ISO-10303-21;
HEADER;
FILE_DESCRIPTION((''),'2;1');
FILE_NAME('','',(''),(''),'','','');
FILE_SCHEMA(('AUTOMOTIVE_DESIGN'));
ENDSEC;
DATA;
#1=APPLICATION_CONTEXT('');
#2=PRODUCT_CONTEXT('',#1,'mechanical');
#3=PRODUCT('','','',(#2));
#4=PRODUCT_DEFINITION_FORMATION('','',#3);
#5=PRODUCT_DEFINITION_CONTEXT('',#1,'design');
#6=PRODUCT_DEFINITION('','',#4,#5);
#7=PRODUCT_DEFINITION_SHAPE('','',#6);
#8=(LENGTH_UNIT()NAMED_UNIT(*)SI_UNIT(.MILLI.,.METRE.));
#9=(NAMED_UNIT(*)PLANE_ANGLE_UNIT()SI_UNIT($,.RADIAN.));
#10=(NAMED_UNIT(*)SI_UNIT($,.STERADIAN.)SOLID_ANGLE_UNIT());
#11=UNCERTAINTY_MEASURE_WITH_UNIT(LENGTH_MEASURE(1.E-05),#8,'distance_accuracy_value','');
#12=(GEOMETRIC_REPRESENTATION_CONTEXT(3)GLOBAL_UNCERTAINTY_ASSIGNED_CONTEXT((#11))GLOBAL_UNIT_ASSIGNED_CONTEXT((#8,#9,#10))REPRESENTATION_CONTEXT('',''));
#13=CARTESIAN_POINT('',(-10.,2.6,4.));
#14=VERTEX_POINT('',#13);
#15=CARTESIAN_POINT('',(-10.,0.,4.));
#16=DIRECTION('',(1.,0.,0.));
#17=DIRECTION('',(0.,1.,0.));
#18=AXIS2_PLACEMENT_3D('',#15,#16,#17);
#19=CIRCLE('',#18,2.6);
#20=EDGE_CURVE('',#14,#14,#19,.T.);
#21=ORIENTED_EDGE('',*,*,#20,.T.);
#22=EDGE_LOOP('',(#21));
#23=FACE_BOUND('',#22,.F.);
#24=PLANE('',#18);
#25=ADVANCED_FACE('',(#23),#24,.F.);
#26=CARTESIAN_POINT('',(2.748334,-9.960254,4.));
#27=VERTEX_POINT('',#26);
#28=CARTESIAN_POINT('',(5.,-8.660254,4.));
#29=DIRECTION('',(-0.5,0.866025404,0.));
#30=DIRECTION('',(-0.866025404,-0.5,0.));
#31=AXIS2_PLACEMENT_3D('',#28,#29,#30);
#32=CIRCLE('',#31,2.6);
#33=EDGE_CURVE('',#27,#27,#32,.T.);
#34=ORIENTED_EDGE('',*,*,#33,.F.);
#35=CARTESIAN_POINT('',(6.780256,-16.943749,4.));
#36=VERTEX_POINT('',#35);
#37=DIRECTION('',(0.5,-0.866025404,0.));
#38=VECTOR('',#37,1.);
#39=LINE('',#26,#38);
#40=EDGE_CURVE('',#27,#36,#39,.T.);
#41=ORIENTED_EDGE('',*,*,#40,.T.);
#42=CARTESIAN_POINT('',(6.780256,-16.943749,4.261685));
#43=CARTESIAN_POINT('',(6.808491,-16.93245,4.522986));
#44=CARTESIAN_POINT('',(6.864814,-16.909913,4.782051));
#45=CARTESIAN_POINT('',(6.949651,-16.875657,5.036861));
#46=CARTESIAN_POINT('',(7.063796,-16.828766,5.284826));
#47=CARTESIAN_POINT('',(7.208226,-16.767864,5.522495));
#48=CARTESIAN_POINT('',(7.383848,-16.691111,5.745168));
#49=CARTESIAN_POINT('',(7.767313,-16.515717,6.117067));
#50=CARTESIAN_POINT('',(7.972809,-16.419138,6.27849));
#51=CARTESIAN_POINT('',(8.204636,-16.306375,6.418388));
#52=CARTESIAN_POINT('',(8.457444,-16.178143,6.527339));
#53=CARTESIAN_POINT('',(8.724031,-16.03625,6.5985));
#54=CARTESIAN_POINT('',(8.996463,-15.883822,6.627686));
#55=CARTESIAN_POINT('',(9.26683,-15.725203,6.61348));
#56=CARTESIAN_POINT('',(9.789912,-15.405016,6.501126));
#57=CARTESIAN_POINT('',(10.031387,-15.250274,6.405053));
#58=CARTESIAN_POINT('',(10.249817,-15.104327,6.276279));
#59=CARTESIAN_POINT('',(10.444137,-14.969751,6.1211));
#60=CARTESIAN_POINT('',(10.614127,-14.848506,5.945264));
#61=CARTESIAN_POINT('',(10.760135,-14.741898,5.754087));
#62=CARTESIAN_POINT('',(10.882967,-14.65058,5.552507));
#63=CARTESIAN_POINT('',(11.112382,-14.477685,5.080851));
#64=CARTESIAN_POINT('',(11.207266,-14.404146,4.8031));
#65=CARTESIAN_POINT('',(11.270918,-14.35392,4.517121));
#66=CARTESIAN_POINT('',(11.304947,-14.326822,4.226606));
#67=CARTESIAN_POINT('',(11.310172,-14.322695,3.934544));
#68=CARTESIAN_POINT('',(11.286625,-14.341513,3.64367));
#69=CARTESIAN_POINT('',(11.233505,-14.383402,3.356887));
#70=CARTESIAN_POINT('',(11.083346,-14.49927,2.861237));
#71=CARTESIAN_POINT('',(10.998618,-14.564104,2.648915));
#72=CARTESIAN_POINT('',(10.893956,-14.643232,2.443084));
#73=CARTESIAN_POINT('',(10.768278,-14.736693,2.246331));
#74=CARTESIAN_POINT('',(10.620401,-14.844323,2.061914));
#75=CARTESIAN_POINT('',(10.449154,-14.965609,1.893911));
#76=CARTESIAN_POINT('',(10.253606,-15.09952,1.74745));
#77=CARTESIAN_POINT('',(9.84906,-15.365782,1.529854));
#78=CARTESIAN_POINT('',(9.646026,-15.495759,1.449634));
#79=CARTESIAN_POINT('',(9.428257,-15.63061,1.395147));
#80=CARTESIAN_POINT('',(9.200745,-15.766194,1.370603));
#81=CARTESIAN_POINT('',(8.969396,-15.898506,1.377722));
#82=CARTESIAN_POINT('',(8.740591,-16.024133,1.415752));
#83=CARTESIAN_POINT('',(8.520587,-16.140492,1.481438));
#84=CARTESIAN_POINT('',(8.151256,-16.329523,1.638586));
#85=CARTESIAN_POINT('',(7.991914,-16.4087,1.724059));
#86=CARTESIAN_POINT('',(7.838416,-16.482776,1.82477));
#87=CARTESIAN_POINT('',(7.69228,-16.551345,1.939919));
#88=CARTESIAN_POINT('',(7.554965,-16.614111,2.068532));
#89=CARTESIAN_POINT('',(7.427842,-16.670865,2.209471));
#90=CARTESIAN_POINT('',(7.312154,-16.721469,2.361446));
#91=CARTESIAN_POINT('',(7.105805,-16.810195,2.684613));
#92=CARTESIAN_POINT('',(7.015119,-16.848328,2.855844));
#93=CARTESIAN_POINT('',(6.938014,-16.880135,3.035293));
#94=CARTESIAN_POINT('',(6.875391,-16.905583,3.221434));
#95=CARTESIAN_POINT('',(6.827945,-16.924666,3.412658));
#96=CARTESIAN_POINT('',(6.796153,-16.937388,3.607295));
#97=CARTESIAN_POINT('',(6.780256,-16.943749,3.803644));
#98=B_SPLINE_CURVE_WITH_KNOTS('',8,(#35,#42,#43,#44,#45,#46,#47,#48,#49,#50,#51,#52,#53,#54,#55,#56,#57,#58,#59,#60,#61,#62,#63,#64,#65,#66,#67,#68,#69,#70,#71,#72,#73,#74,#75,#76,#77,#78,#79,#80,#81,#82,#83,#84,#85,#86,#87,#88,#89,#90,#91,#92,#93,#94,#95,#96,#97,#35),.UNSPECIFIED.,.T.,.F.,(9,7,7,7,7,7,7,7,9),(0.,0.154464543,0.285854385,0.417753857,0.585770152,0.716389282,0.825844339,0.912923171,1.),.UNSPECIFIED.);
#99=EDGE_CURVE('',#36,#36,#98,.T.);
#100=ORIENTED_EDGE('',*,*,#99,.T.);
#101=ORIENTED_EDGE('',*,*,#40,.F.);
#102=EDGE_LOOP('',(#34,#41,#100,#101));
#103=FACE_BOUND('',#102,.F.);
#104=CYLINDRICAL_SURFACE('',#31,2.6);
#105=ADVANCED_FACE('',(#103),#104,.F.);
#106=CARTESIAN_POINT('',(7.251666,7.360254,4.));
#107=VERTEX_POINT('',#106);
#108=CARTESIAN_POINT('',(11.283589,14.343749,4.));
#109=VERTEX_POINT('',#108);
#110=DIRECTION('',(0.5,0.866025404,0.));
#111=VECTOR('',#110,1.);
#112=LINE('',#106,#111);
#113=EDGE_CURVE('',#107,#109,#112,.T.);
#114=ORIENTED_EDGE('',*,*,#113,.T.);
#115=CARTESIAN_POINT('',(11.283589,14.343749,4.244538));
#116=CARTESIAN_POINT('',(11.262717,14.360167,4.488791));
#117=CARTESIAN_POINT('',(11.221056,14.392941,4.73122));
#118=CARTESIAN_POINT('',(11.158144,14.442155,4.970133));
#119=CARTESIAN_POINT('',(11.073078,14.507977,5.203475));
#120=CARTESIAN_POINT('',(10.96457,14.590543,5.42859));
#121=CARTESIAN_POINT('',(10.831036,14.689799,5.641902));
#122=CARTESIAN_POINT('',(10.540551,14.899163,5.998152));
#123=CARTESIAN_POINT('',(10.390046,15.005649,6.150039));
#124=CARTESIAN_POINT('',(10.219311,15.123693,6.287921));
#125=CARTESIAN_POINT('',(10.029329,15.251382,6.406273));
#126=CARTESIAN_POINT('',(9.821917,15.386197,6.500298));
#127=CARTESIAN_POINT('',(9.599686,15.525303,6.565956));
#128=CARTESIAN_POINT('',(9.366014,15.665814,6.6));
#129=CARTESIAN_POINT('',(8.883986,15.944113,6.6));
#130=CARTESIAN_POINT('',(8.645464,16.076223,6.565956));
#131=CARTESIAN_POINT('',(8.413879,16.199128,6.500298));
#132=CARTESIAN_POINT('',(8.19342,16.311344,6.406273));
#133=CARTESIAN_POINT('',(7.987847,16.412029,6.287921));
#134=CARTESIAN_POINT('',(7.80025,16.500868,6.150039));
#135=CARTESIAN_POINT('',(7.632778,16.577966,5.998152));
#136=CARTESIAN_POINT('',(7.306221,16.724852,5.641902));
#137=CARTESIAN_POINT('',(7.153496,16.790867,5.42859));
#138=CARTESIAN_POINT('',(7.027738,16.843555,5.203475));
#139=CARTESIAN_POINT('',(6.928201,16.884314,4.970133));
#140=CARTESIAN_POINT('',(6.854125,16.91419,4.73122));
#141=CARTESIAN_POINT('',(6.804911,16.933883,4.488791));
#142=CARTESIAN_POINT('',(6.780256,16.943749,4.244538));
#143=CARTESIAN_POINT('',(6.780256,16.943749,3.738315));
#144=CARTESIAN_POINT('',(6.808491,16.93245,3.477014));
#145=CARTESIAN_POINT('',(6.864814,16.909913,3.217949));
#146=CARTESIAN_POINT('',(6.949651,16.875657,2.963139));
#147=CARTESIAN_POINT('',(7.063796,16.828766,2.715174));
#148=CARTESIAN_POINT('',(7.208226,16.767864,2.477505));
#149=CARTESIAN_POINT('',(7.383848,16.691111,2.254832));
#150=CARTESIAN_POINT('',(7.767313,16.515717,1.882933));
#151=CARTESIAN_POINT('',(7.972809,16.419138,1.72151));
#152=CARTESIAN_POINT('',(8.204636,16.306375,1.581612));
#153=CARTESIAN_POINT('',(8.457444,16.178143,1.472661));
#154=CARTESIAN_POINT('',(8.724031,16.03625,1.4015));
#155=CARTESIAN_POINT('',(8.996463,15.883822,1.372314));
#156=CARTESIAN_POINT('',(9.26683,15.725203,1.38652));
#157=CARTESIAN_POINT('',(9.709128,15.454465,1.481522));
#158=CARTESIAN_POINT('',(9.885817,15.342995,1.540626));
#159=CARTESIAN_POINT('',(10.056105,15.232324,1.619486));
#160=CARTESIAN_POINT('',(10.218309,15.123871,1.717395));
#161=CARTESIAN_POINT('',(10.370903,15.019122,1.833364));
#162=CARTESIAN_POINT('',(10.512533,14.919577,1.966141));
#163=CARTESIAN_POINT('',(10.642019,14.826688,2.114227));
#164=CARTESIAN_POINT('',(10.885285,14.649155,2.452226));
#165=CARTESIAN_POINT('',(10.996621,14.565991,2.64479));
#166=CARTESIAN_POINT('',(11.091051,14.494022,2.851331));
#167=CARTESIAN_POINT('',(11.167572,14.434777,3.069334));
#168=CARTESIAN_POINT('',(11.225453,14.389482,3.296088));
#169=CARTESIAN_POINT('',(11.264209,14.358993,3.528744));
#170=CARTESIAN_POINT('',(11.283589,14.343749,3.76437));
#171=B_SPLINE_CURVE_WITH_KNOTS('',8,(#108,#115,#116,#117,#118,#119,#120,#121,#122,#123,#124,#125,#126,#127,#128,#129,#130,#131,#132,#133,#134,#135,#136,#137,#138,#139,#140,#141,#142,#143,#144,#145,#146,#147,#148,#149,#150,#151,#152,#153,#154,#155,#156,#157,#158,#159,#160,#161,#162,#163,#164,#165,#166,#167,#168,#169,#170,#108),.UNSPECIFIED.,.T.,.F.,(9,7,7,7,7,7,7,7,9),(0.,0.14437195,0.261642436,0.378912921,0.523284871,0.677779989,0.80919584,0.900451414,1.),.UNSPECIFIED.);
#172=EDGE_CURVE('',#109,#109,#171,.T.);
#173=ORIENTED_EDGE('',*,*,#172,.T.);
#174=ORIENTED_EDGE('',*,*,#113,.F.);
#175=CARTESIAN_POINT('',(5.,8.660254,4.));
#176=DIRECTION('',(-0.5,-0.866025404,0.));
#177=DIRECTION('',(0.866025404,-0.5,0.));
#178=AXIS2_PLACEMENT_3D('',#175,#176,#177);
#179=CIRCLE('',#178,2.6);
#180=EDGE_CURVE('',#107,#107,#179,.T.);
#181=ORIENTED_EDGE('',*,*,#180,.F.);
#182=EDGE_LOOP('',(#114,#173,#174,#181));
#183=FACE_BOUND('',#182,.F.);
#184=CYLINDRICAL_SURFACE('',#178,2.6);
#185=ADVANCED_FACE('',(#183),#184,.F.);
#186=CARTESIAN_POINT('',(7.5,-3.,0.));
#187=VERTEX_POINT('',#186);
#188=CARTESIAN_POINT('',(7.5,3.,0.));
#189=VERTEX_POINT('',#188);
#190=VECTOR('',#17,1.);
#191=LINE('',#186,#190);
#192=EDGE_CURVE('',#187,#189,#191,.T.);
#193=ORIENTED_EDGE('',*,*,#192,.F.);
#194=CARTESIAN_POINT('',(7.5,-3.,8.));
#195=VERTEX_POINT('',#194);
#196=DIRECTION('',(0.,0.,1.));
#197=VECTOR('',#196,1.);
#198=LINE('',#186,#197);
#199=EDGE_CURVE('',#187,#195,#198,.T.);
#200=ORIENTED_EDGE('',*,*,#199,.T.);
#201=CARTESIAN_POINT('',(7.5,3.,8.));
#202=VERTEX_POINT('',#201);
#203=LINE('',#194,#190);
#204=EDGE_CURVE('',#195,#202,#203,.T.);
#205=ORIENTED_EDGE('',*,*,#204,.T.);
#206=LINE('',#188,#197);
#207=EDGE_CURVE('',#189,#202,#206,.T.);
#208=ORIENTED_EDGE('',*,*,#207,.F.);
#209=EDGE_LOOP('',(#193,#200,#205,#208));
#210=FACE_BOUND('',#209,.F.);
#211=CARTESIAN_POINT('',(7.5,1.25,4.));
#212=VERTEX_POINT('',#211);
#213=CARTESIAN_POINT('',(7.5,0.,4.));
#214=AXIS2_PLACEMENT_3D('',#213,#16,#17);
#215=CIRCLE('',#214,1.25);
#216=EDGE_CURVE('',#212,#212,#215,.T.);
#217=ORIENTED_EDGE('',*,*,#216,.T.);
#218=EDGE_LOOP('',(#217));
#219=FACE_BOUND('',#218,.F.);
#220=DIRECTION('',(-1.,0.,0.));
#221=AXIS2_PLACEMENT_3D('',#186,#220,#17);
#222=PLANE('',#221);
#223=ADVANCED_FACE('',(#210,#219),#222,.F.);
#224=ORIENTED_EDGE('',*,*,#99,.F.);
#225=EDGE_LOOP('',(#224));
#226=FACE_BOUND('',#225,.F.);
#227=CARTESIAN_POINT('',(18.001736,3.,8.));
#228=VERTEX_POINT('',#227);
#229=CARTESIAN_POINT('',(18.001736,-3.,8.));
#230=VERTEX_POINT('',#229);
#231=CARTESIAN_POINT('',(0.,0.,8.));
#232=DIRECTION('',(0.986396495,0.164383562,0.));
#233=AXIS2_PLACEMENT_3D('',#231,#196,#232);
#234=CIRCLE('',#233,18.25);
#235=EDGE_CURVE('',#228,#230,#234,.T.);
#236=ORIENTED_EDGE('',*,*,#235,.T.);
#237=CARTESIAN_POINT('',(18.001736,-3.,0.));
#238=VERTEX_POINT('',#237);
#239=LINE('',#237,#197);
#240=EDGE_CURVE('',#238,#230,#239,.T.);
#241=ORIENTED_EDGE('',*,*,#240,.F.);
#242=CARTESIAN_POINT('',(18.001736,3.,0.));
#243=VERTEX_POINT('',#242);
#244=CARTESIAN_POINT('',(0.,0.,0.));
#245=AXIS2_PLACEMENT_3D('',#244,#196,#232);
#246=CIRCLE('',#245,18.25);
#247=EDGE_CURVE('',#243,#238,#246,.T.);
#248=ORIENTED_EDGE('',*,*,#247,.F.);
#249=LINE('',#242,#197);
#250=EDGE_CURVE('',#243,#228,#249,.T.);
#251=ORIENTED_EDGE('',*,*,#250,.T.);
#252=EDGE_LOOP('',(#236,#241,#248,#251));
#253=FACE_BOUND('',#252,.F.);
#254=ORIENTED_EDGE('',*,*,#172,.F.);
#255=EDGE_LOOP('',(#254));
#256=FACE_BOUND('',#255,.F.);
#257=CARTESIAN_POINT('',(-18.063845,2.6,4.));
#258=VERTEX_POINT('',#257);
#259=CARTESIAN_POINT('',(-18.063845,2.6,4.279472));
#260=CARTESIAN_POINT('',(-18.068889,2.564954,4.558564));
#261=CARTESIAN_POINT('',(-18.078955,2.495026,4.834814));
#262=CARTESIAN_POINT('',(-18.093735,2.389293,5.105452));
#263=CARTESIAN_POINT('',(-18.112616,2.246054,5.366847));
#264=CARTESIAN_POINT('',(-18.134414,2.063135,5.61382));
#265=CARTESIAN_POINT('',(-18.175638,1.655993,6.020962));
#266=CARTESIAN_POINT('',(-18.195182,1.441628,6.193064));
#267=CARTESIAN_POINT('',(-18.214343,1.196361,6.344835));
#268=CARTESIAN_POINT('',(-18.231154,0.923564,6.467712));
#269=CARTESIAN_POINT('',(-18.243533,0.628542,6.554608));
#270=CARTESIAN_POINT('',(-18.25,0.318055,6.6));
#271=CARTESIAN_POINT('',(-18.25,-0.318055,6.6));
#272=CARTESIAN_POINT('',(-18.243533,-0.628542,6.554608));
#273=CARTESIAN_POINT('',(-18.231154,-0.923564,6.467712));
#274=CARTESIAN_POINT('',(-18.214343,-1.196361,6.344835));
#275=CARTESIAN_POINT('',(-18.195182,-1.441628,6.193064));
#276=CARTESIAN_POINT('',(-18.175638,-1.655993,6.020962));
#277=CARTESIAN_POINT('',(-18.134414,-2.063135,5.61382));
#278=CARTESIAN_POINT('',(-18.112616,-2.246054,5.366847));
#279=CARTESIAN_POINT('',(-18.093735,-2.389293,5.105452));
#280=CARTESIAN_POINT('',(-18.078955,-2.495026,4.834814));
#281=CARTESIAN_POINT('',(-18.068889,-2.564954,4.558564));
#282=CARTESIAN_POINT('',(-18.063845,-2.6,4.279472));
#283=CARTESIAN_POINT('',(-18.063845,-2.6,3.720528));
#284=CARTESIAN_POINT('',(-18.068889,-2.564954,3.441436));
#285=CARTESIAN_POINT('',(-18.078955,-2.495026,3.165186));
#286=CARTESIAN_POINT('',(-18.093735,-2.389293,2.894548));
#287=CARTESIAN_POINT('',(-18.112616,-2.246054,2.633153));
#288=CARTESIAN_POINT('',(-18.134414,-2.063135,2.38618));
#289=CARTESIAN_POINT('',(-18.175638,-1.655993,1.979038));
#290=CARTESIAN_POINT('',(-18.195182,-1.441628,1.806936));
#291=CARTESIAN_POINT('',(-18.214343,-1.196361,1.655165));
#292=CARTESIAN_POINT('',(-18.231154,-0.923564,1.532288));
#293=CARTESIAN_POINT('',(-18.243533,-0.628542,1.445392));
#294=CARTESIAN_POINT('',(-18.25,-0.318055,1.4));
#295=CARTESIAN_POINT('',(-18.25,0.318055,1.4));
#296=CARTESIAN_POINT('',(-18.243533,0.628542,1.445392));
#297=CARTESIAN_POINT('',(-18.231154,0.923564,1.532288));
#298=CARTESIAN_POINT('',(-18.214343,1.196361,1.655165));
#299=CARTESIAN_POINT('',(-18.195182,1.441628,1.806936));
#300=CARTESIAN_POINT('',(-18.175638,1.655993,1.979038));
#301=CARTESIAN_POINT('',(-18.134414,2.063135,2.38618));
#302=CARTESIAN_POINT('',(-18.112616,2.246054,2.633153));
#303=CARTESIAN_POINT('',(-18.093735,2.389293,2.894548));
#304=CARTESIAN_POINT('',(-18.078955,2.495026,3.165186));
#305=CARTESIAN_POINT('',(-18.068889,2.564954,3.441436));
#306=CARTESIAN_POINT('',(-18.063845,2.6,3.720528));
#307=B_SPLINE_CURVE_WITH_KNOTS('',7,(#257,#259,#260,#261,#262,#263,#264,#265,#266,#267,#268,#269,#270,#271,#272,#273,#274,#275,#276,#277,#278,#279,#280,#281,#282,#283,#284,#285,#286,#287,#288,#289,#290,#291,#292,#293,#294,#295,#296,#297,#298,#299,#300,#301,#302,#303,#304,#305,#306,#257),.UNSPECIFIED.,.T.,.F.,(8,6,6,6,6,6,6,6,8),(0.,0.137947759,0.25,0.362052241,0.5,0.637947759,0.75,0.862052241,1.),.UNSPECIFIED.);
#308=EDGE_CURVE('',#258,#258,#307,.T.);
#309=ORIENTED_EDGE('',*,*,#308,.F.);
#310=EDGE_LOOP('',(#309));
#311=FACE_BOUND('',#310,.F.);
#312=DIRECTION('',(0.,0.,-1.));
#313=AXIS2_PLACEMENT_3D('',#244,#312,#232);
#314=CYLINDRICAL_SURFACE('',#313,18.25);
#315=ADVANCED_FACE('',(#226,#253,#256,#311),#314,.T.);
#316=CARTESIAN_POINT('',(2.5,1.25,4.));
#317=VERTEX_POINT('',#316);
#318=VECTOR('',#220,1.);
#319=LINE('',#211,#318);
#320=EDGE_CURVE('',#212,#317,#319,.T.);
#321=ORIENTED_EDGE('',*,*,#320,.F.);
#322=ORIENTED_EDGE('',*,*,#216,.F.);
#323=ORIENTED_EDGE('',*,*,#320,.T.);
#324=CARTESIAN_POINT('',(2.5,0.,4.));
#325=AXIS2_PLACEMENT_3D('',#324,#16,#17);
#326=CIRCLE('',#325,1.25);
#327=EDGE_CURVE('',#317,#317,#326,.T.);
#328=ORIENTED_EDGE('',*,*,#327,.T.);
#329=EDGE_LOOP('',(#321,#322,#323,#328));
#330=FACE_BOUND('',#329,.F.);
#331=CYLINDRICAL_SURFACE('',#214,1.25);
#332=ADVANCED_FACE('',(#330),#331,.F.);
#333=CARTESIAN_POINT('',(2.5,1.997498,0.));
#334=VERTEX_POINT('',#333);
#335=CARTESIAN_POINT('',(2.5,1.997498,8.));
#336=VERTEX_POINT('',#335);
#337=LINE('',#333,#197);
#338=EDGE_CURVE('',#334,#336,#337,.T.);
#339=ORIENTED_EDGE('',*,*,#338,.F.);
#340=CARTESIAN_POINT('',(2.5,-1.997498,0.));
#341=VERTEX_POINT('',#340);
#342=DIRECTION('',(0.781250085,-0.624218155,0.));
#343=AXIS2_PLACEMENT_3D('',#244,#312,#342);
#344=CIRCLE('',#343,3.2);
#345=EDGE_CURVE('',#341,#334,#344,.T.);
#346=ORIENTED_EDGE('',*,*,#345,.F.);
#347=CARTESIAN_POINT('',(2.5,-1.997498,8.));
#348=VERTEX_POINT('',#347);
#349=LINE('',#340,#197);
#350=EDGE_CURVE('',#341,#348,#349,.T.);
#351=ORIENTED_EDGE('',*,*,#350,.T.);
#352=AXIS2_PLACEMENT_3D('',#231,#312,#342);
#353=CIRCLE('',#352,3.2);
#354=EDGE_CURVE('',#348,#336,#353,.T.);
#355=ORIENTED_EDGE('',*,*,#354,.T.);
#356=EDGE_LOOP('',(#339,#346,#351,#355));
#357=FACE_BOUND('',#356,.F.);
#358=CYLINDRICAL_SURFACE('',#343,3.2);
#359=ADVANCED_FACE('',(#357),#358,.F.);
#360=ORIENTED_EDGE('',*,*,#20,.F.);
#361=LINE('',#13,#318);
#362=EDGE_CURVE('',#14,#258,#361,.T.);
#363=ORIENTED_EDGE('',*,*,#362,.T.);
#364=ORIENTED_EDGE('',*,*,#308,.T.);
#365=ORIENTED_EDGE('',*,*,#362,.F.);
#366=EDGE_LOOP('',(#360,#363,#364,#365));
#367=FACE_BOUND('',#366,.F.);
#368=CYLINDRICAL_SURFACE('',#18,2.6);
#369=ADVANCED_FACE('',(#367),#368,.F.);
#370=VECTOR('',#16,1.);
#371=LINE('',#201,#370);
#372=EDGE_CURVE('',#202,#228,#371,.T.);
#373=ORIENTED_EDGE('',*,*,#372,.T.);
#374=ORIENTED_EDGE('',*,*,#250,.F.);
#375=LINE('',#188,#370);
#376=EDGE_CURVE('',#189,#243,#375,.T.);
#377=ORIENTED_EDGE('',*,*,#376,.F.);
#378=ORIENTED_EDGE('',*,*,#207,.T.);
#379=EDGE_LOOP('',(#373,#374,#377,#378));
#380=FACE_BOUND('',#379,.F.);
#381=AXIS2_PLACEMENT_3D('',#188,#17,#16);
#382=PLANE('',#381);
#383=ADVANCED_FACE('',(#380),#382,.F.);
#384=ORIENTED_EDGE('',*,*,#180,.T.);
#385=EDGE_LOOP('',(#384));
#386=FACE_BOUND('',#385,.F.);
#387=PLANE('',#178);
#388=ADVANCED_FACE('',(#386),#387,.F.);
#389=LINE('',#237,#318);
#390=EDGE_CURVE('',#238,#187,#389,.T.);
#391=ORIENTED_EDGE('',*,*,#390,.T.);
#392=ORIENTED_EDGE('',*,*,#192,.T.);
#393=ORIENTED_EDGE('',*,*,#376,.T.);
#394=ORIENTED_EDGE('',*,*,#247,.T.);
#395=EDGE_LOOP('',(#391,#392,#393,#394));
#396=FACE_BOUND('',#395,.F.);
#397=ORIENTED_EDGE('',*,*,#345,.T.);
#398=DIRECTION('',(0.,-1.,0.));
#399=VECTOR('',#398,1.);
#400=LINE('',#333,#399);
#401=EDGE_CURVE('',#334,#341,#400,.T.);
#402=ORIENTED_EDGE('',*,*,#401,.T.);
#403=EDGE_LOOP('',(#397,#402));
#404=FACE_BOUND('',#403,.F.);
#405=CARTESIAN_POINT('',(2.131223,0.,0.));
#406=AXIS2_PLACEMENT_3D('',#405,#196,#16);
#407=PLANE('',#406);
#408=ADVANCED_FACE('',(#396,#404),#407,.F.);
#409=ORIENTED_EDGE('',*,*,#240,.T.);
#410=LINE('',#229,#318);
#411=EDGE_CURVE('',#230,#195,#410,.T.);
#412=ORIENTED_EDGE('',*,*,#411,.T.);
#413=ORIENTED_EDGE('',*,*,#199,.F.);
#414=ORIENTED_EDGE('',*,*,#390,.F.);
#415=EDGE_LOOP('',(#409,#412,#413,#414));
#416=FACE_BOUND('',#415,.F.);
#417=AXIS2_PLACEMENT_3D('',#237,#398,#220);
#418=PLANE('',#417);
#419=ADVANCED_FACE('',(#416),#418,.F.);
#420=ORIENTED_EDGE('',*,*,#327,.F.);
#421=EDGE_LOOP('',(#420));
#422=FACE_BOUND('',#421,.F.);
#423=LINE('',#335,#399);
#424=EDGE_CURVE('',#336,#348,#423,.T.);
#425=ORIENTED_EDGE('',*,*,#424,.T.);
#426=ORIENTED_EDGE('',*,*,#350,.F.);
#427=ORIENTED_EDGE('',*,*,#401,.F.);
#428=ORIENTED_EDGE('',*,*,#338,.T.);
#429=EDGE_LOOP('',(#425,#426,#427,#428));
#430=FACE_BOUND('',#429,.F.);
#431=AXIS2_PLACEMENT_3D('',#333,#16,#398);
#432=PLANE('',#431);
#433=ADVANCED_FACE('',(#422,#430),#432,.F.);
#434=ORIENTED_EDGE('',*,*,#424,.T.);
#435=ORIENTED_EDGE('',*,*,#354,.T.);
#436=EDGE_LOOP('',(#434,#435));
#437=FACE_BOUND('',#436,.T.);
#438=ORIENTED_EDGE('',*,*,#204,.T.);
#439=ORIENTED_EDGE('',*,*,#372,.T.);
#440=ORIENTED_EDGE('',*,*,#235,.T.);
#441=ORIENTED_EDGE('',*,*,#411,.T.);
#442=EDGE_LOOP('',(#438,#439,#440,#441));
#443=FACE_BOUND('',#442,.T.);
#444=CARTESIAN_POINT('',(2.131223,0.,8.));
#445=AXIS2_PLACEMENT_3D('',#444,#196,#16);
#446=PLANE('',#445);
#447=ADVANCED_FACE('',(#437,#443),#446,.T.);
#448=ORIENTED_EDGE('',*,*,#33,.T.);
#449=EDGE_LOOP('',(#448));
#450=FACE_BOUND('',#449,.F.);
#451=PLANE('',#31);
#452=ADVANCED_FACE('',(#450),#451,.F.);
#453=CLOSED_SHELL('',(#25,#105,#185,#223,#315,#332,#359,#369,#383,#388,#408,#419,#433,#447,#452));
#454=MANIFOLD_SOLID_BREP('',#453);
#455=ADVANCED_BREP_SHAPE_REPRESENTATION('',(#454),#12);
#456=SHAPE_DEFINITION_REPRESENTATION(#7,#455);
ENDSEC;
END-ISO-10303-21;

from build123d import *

# Parameters (mm, degrees)
F1_DEPTH = 8
F2_R     = 1.25
F3_DEPTH = 5
F5_R     = 2.6
F6_DEPTH = 25
F7_COUNT = 3
F7_ANGLE = 240


with BuildPart() as f1:
    # F0 (on Top) → F1 (new body)
    with BuildSketch(Plane.XY):
        with BuildLine():
            Line((7.5, 3), (18.001736, 3))
            ThreePointArc((18.001736, 3), (-18.25, 0), (18.001736, -3))
            Line((18.001736, -3), (7.5, -3))
            Line((7.5, -3), (7.5, 0))
            Line((7.5, 0), (7.5, 3))
        make_face()
        with BuildLine():
            ThreePointArc((2.5, -1.997498), (-3.2, 0), (2.5, 1.997498))
            Line((2.5, 1.997498), (2.5, -1.997498))
        make_face(mode=Mode.SUBTRACT)
    extrude(amount=F1_DEPTH)

    # F2 (on face) → F3 (cut, through all)
    with BuildSketch(Plane.YZ.offset(7.5)):
        with Locations((0, 4)):
            Circle(F2_R)
    extrude(amount=-F3_DEPTH, mode=Mode.SUBTRACT)


with BuildPart() as f6:
    # F5 (on offset) → F6 (new body)
    with BuildSketch(Plane.YZ.offset(-10)):
        with Locations((0, 4)):
            Circle(F5_R)
    extrude(amount=-F6_DEPTH)


with BuildPart() as f7_1:
    # F7: instance of F6
    add(f6.part.rotate(Axis((0, 0, 0), (0, 0, -1)), 1 * F7_ANGLE / (F7_COUNT - 1)))


with BuildPart() as f7_2:
    # F7: instance of F6
    add(f6.part.rotate(Axis((0, 0, 0), (0, 0, -1)), 2 * F7_ANGLE / (F7_COUNT - 1)))


with BuildPart() as f1_1:
    add(f1.part)

    # F8: cut F6, F7_1, F7_2
    add(f6.part, mode=Mode.SUBTRACT)
    add(f7_1.part, mode=Mode.SUBTRACT)
    add(f7_2.part, mode=Mode.SUBTRACT)


solid = f1_1.part
